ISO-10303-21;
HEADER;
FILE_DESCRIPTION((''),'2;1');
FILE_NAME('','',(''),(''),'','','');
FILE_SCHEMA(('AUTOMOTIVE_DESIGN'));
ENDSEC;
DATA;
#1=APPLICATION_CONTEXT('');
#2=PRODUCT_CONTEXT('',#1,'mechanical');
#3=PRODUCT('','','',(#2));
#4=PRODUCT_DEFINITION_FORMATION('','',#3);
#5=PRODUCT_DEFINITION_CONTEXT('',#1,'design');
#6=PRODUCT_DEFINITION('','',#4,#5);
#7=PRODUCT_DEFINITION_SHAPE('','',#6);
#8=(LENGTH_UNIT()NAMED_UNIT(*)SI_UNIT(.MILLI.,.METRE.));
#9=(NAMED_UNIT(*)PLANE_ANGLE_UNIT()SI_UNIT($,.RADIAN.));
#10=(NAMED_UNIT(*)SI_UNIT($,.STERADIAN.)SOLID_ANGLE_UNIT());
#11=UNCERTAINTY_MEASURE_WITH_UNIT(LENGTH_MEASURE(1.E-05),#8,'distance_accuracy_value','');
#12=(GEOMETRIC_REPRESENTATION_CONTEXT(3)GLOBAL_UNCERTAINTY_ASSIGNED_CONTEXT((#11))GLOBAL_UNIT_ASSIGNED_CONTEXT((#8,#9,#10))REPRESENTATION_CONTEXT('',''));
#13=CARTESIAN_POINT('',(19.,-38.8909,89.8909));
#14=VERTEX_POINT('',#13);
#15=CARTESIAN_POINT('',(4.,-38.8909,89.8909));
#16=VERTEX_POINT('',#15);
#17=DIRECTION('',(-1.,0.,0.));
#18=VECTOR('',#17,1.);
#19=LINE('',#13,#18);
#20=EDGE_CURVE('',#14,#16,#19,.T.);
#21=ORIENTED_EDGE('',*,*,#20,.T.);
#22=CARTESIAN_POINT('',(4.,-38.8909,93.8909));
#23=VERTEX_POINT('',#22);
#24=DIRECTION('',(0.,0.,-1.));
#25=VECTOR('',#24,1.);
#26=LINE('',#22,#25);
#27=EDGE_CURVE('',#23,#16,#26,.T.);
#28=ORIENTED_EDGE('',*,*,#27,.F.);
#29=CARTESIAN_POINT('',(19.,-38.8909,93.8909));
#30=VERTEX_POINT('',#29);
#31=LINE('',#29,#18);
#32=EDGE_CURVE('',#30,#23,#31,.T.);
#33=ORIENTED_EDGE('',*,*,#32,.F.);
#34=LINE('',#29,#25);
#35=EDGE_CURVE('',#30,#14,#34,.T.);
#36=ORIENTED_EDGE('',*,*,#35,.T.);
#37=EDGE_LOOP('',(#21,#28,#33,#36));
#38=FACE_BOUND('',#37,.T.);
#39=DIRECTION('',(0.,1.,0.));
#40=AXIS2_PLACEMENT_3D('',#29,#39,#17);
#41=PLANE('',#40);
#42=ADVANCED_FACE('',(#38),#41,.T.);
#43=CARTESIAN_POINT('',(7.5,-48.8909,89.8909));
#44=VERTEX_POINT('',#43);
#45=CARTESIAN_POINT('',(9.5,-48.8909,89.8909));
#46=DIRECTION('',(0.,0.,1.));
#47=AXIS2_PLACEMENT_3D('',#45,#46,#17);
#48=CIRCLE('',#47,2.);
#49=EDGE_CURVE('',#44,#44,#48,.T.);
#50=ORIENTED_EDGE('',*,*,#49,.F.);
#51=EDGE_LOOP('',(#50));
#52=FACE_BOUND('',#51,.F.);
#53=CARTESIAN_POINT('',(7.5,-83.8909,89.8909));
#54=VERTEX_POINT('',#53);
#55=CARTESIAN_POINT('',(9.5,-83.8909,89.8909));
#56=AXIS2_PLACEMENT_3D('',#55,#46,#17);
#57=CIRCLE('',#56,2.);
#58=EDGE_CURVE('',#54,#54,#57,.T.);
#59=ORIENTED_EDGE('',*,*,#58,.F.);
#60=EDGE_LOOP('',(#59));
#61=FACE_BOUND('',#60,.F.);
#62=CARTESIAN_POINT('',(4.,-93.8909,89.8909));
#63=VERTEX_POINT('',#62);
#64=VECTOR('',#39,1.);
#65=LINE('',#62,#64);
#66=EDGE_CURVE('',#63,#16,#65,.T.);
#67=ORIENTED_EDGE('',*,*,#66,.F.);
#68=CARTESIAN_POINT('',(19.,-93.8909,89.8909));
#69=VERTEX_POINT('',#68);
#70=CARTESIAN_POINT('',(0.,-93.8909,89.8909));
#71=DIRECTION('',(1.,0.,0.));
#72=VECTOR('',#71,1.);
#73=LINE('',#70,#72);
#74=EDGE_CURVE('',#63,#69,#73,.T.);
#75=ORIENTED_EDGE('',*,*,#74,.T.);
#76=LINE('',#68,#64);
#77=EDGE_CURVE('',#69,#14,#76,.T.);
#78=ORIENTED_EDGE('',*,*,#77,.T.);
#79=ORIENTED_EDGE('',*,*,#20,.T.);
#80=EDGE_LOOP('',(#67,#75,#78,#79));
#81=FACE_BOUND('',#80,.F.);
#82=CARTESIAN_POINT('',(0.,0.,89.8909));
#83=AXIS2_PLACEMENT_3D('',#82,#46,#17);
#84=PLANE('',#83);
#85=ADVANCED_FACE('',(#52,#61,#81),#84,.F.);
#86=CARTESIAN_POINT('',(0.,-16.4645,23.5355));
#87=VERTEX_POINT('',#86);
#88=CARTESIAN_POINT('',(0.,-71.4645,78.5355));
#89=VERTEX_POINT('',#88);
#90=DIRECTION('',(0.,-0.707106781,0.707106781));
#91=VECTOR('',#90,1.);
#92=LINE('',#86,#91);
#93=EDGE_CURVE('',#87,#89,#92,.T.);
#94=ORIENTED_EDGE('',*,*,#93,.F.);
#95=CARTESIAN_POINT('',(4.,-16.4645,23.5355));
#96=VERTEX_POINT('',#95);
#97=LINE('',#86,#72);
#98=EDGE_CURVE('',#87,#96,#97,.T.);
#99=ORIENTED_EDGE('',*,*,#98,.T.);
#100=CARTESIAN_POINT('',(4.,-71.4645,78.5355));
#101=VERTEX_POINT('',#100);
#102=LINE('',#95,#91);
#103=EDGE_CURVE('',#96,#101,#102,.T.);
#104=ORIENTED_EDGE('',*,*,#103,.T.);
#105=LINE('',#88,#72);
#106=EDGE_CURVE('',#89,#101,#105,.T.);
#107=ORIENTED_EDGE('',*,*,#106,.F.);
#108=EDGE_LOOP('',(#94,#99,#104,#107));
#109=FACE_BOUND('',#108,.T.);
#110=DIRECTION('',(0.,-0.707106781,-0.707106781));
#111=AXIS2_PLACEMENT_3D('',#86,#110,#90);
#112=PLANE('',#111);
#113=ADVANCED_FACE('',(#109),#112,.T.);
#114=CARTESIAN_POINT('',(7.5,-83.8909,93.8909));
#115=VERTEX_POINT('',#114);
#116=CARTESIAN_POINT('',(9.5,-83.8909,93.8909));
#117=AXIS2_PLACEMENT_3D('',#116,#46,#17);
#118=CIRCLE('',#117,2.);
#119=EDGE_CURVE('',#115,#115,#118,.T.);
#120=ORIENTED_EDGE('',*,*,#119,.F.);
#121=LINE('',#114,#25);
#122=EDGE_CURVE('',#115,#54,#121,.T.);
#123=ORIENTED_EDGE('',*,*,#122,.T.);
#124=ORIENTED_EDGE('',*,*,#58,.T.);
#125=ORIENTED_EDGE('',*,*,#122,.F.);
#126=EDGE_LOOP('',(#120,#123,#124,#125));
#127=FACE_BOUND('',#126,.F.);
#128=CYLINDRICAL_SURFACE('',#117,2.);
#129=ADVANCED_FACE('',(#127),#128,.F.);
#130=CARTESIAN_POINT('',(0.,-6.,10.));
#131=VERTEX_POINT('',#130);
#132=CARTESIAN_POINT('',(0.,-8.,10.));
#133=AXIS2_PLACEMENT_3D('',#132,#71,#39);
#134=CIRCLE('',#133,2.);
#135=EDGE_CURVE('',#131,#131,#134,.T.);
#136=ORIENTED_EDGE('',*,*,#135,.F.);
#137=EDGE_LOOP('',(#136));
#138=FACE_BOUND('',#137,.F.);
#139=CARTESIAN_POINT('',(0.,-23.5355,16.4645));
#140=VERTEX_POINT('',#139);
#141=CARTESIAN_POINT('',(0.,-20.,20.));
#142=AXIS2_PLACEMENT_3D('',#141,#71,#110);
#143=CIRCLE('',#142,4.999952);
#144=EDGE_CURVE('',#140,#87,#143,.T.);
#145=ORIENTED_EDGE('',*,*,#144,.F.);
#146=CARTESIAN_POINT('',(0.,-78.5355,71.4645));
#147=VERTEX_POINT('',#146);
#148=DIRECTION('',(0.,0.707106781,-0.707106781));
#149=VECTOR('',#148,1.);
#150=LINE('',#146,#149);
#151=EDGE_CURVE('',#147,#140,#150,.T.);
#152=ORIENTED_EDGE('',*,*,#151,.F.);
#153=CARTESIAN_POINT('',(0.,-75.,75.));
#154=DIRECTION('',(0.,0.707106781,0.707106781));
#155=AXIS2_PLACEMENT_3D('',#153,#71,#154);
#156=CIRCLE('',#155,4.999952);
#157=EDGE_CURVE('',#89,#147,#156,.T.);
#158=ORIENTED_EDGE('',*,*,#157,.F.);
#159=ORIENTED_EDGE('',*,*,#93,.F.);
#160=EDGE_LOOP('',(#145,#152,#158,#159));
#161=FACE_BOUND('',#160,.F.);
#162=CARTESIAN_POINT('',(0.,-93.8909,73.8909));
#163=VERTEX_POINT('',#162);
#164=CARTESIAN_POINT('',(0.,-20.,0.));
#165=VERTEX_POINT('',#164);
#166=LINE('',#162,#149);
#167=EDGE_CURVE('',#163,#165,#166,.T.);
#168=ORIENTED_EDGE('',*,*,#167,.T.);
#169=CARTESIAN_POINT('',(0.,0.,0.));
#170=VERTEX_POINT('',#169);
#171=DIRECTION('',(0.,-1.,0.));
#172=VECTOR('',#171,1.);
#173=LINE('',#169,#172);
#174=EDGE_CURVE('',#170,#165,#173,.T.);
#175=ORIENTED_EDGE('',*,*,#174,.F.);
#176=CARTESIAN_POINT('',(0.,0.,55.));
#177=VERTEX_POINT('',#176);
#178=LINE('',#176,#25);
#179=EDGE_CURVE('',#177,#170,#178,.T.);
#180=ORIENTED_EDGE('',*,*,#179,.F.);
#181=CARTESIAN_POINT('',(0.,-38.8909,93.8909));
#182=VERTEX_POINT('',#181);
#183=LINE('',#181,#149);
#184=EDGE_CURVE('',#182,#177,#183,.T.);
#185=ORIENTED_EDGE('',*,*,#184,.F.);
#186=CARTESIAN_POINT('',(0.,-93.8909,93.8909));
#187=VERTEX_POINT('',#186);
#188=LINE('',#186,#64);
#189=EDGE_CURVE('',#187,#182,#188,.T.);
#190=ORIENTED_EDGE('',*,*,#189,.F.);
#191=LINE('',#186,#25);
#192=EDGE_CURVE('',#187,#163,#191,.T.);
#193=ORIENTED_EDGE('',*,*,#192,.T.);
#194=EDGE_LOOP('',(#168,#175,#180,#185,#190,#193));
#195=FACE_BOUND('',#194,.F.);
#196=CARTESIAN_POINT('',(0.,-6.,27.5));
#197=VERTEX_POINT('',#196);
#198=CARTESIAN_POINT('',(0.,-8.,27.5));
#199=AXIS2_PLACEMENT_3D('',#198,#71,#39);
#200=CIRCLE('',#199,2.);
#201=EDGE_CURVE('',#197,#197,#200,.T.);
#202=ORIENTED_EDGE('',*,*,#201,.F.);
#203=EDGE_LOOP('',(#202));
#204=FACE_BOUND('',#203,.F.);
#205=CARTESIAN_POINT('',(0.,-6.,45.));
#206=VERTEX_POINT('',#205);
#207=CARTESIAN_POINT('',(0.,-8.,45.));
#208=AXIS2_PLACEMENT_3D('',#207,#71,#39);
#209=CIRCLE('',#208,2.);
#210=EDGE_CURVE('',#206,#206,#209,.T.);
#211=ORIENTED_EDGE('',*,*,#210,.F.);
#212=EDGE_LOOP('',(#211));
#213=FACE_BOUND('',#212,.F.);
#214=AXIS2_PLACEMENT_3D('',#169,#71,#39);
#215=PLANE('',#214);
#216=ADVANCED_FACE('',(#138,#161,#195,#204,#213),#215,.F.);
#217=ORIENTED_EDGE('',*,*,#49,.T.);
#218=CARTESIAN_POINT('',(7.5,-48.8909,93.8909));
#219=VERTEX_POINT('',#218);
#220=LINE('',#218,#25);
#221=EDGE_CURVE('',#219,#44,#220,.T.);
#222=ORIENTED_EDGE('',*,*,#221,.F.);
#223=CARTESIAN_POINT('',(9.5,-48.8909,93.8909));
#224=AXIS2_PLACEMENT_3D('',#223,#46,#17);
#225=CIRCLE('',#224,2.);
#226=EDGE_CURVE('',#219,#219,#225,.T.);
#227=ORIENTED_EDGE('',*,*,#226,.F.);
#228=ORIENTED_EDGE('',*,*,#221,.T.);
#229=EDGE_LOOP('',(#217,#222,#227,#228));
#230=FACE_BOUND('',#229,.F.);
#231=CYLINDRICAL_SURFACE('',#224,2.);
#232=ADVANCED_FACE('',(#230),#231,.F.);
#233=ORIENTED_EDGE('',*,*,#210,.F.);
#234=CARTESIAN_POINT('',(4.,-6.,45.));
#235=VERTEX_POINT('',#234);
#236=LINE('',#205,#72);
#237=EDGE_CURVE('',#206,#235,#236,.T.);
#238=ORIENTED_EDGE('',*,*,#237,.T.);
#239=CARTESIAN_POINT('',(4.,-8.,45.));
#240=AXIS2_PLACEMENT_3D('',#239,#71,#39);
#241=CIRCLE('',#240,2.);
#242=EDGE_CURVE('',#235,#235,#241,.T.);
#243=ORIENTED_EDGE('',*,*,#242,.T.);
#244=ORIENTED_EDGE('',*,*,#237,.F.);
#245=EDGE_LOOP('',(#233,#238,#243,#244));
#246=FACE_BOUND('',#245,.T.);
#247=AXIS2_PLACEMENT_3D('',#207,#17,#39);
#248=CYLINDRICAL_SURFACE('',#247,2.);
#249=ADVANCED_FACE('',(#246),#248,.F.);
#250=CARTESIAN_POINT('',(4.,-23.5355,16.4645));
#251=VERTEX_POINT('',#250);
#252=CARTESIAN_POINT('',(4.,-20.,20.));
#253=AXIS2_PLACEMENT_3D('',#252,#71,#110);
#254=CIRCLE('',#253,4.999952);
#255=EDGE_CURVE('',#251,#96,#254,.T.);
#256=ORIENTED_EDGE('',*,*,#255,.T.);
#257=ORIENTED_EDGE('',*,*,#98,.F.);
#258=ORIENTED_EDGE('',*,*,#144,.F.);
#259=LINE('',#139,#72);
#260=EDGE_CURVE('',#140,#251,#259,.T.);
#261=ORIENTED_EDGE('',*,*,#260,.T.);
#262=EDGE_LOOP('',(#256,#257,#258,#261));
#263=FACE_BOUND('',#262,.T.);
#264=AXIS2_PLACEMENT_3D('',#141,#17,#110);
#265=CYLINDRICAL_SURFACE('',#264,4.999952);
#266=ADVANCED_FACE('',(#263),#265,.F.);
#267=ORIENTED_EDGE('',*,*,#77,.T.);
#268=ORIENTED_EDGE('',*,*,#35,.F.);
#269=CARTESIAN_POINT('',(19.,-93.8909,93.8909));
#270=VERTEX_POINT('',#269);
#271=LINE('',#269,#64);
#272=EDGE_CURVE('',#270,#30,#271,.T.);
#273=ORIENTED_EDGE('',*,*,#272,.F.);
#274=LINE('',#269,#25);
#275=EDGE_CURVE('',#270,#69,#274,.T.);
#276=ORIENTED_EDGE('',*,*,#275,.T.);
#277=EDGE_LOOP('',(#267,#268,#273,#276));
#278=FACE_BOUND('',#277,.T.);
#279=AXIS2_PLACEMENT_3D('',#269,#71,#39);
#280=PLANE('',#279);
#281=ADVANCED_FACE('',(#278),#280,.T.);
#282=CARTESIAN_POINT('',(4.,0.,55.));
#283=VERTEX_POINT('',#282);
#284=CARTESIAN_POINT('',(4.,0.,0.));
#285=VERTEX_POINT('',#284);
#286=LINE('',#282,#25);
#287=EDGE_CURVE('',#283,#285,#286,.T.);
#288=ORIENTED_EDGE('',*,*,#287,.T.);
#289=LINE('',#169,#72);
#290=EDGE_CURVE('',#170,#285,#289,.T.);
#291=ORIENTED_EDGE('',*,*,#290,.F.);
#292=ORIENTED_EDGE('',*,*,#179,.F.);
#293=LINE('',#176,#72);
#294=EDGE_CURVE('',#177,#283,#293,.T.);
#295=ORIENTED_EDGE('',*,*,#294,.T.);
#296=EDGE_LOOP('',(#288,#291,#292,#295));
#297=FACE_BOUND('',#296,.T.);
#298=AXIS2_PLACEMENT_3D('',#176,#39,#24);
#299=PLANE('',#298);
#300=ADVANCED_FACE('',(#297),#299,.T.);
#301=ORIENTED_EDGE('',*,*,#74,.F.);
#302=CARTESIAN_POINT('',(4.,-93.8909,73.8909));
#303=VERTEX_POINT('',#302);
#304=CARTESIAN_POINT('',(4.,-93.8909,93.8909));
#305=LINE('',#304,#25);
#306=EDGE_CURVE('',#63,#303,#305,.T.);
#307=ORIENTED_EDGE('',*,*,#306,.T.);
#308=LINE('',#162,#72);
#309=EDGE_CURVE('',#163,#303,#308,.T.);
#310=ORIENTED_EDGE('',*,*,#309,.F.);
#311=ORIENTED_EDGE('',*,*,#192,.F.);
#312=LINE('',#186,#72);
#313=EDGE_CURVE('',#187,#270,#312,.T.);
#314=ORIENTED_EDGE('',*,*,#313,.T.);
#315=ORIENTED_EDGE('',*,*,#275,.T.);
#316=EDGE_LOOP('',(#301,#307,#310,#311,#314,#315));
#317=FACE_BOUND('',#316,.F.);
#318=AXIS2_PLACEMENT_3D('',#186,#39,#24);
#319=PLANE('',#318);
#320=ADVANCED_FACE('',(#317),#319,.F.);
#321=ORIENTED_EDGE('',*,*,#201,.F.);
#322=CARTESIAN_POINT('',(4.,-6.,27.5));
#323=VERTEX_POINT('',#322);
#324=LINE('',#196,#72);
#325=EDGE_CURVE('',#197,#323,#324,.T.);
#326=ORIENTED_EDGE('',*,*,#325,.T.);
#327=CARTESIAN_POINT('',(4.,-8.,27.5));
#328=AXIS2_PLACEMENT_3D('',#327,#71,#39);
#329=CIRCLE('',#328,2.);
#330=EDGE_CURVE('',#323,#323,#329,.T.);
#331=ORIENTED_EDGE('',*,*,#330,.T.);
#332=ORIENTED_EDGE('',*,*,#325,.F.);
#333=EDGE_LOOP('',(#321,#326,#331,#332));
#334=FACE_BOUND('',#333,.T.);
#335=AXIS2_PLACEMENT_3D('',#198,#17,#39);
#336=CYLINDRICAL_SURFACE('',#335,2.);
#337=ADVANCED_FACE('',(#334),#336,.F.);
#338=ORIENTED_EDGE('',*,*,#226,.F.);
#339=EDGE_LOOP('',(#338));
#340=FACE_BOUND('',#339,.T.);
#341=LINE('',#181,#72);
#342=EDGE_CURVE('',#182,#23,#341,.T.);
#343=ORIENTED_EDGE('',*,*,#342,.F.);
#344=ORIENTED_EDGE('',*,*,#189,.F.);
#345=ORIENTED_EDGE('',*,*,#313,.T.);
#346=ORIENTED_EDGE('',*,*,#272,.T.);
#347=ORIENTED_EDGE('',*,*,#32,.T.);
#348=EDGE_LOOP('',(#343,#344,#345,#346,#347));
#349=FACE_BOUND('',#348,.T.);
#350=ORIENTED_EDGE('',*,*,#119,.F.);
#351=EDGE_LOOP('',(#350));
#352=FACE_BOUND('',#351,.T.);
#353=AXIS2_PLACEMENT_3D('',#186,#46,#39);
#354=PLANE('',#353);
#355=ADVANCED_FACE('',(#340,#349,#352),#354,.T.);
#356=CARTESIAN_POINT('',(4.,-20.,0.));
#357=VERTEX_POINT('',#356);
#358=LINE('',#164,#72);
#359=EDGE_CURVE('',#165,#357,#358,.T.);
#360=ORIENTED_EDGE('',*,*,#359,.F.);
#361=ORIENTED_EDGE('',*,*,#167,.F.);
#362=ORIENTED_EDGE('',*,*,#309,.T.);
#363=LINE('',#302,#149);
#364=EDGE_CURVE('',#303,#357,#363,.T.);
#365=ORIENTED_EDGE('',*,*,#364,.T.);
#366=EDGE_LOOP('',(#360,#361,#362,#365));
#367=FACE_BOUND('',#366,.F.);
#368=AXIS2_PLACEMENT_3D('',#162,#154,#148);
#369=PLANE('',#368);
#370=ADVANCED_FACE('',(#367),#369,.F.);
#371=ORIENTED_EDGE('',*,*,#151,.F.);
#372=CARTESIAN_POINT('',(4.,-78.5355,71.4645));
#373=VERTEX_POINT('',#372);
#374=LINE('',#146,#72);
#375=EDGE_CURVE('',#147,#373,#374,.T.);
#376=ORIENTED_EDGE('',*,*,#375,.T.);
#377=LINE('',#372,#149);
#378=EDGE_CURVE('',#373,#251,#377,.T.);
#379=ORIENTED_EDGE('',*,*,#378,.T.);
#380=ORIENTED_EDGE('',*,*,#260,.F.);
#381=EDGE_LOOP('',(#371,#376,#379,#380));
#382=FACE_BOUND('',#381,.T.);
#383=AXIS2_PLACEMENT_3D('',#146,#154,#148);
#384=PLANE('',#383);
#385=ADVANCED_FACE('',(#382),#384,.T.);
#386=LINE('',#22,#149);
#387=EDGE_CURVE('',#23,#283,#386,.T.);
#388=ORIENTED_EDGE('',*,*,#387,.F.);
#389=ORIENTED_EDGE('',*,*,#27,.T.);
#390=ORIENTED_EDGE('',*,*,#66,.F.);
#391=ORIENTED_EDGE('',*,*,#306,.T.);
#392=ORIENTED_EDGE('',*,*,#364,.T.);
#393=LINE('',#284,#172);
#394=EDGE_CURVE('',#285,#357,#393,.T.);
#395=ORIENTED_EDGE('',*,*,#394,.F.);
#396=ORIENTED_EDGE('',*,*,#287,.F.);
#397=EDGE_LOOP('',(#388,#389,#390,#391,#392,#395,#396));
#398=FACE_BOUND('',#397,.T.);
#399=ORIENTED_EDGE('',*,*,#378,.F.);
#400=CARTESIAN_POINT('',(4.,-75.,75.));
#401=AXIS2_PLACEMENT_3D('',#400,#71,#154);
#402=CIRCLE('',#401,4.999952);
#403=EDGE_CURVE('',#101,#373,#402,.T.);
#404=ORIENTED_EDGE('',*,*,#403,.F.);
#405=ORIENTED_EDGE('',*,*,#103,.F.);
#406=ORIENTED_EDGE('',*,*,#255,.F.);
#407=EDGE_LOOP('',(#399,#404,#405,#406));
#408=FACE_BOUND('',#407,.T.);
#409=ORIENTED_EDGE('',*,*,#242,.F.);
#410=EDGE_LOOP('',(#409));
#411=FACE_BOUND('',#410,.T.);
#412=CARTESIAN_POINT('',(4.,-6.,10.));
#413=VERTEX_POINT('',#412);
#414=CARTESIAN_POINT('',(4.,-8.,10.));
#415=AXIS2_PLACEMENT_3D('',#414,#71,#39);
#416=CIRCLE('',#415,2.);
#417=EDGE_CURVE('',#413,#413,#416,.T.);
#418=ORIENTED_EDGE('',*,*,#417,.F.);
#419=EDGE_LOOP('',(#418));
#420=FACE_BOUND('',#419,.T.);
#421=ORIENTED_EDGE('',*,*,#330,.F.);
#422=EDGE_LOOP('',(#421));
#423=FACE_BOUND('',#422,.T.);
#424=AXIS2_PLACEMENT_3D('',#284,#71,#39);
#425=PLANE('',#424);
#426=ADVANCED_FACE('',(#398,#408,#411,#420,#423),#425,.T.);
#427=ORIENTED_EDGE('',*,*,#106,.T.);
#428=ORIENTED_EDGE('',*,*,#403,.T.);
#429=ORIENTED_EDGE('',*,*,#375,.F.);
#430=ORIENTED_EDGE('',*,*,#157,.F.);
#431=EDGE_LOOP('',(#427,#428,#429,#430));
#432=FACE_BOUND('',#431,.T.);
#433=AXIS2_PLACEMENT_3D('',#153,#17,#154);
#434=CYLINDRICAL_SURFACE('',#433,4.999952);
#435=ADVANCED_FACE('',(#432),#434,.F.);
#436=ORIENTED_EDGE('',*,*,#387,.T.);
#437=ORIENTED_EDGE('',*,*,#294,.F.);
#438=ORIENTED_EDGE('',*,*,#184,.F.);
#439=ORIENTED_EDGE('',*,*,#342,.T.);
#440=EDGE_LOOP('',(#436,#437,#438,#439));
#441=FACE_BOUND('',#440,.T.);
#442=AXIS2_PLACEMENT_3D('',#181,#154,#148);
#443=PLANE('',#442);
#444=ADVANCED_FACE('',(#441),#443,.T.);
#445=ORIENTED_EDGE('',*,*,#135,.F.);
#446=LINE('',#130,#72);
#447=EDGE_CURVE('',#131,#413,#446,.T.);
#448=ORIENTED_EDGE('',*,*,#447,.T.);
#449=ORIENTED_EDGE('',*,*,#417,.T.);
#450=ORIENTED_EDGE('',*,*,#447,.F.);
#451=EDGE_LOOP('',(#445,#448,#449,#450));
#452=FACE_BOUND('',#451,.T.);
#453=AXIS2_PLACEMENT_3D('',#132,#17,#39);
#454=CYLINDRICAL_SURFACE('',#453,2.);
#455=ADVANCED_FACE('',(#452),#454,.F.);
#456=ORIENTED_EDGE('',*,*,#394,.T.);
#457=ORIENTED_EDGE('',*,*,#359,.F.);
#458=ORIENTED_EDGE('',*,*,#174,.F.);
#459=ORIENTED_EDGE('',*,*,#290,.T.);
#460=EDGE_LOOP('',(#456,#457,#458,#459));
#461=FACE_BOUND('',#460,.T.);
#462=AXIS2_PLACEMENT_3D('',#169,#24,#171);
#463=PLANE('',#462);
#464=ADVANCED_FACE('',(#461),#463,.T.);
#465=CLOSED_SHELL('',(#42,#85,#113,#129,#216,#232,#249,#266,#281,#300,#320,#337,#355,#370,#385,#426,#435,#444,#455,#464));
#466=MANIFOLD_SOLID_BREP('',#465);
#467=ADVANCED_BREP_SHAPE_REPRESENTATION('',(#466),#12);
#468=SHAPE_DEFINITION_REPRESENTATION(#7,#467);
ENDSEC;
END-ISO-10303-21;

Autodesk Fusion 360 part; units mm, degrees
sketch "Sketch4" plane through (0, 0, 0) normal (1, 0, 0) x (0, 1, 0)
  line L0 (-93.8909, 93.8909) -> (-38.8909, 93.8909)
  line L1 (-38.8909, 93.8909) -> (0, 55)
  line L2 (0, 55) -> (0, 0)
  line L3 (0, 0) -> (-20, 0)
  line L4 (-93.8909, 93.8909) -> (-93.8909, 73.8909)
  line L5 (-93.8909, 73.8909) -> (-20, 0)
  line L6 (-16.4645, 23.5355) -> (-71.4645, 78.5355)
  arc A0 (-71.4645, 78.5355) -> (-78.5355, 71.4645) centre (-75, 75) ccw
  line L7 (-78.5355, 71.4645) -> (-23.5355, 16.4645)
  arc A1 (-23.5355, 16.4645) -> (-16.4645, 23.5355) centre (-20, 20) ccw
  line L8 (-20, 20) -> (-75, 75) construction
  circle A2 centre (-8, 10) radius 2
  circle A3 centre (-8, 45) radius 2
  line L9 (-8, 45) -> (-8, 10) construction
  line L10 (0, 27.5) -> (-8, 27.5) construction
  circle A4 centre (-8, 27.5) radius 2
  dimension "d15" = 55
  dimension "d16" = 135
  dimension "d17" = 55
  dimension "d18" = 55
  dimension "d19" = 20
  dimension "d20" = 20
  dimension "d21" = 10
  dimension "d22" = 4
  dimension "d23" = 4
  dimension "d24" = 8
  dimension "d25" = 35
  dimension "d35" = 4
extrude "Extrude1" add sketch "Sketch4" along normal blind 4
sketch "Sketch5" plane through (0, 0, 93.8909) normal (0, 0, 1) x (-1, 0, 0)
  line L0 (0, 38.8909) -> (0, 93.8909)
  line L1 (0, 93.8909) -> (-4, 93.8909)
  line L2 (-4, 93.8909) -> (-4, 38.8909)
  line L3 (-4, 38.8909) -> (0, 38.8909)
  line L4 (0, 93.8909) -> (-19, 93.8909)
  line L5 (-19, 93.8909) -> (-19, 38.8909)
  line L6 (-19, 38.8909) -> (0, 38.8909)
  line L7 (0, 38.8909) -> (0, 93.8909)
  circle A0 centre (-9.5, 83.8909) radius 2
  circle A1 centre (-9.5, 48.8909) radius 2
  line L8 (-9.5, 83.8909) -> (-9.5, 48.8909) construction
  line L9 (-9.5, 66.3909) -> (0, 66.3909) construction
  line L10 (-9.5, 48.8909) -> (-9.5, 38.8909) construction
  dimension "d28" = 55
  dimension "d30" = 4
  dimension "d31" = 4
  dimension "d32" = 35
  dimension "d36" = 19
extrude "Extrude3" add sketch "Sketch5" against normal blind 4 contours L2 L4 L5 L6
